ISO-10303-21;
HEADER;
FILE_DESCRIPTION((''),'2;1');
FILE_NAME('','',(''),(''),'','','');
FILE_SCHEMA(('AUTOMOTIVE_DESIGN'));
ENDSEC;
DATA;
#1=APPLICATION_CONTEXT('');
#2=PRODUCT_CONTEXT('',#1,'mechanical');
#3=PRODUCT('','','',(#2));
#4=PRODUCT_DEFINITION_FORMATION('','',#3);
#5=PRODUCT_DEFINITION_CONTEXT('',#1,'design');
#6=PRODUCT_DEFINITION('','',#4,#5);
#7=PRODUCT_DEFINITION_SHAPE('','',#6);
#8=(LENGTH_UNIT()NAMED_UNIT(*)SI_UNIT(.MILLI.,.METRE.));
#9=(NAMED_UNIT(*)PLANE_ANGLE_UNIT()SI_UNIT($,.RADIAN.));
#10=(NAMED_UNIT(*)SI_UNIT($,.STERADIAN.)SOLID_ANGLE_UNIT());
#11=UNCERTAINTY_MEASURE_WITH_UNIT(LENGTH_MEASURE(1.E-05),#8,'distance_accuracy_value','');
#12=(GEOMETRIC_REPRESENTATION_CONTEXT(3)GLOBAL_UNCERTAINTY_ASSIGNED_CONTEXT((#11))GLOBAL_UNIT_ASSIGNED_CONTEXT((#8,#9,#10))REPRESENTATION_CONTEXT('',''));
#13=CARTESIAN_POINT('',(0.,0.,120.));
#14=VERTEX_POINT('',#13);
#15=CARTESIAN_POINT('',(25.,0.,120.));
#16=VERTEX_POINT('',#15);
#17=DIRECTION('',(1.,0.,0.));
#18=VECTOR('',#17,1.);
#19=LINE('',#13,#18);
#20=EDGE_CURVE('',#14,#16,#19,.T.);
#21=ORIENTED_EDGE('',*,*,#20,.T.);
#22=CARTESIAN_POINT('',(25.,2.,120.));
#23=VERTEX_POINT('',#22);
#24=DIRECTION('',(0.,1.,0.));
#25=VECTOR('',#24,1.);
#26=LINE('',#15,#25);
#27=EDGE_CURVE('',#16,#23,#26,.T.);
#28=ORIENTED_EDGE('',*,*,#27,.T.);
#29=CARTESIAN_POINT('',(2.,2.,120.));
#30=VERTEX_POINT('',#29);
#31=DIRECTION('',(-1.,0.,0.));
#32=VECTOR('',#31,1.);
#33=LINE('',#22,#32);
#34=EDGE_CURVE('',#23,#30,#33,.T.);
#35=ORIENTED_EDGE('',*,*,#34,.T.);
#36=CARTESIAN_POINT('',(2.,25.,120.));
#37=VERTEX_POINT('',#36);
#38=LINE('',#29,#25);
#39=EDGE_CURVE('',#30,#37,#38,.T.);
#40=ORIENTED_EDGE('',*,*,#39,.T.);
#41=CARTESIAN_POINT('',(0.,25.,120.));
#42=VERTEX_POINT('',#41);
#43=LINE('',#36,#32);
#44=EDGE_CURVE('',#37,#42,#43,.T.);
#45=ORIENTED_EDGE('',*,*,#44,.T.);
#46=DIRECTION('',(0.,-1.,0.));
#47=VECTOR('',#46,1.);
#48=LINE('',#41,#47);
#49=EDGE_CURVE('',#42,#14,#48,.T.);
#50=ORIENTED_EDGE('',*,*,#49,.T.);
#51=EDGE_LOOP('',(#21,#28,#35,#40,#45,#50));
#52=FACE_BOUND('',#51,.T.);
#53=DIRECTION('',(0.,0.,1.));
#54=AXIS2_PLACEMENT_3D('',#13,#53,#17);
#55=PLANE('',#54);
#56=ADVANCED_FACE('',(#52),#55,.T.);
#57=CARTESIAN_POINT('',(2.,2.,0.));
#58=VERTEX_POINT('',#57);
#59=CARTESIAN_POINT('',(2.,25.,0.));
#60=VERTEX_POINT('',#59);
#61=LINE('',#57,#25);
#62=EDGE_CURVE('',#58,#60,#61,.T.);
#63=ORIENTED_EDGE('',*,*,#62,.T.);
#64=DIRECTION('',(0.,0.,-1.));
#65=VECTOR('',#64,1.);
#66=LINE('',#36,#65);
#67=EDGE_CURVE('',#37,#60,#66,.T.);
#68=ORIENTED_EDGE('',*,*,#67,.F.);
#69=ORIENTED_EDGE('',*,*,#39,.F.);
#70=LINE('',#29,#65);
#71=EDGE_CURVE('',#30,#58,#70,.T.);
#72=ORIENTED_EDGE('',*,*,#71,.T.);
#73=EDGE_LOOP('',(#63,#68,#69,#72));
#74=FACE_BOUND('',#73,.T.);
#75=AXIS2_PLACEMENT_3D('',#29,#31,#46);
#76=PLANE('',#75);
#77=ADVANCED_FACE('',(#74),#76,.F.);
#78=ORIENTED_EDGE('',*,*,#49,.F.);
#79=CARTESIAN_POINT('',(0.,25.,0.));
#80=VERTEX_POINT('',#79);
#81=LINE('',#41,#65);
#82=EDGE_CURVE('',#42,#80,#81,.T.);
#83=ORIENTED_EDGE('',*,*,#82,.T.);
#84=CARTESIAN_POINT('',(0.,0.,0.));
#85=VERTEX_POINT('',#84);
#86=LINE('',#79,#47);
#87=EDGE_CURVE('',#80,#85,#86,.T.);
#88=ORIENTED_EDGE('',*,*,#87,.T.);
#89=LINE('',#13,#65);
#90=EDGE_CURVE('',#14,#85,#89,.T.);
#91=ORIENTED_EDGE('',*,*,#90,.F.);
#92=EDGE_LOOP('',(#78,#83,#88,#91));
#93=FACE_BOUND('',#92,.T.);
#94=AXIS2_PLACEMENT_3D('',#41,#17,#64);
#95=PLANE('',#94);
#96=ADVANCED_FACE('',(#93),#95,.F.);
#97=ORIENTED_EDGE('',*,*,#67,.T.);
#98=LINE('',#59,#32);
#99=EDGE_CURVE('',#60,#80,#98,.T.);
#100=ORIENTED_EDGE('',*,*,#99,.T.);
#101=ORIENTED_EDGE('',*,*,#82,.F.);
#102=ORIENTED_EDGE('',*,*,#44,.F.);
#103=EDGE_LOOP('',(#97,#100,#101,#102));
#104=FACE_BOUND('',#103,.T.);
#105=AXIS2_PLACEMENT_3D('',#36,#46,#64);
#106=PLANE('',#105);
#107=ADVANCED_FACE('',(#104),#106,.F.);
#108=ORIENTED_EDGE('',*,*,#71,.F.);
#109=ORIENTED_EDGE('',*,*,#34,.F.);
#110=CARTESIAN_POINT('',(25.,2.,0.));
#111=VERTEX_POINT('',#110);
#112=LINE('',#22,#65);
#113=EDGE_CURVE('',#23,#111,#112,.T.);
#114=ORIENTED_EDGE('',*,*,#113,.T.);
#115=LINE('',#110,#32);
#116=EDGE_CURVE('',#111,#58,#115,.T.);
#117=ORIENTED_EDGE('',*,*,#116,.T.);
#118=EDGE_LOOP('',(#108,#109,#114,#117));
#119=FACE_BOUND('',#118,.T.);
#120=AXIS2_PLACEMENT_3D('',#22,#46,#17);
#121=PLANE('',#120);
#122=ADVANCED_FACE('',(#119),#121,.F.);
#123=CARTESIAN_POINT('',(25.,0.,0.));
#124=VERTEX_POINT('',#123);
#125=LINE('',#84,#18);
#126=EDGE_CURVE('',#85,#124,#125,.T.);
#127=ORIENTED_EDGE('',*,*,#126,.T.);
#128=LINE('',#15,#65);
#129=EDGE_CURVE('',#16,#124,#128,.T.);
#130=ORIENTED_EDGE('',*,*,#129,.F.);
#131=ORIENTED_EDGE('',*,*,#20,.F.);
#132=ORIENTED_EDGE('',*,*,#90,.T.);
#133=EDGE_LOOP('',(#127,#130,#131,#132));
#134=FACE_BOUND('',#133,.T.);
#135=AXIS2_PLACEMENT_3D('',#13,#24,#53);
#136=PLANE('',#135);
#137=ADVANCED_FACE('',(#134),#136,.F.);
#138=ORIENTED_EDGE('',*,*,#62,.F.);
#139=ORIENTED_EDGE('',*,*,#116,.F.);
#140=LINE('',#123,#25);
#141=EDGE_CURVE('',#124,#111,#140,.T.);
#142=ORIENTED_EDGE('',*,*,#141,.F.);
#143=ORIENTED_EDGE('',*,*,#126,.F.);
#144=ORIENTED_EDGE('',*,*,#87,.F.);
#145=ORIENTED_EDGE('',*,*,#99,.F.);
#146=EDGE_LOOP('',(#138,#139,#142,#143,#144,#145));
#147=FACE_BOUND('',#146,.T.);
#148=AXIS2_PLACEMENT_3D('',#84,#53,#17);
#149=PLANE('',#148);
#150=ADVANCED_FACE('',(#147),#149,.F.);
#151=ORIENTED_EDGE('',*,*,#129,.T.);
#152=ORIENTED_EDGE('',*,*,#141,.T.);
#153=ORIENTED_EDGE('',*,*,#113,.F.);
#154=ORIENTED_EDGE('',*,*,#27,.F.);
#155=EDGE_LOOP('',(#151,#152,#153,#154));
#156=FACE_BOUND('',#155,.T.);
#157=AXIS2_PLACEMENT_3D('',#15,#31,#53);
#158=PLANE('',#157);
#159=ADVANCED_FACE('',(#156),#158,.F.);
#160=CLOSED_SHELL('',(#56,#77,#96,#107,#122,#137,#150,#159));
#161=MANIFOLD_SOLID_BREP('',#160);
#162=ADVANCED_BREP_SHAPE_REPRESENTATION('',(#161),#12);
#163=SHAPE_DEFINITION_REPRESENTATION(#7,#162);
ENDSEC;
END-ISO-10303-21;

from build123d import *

# Parameters (mm, degrees)
BOSS_EXTRUDE1_DEPTH = 120


with BuildPart() as part:
    # Sketch1 → Boss-Extrude1 (new body)
    with BuildSketch(Plane.XY):
        Polygon((0, 0), (25, 0), (25, 2), (2, 2), (2, 25), (0, 25), align=None)
    extrude(amount=BOSS_EXTRUDE1_DEPTH)


solid = part.part
